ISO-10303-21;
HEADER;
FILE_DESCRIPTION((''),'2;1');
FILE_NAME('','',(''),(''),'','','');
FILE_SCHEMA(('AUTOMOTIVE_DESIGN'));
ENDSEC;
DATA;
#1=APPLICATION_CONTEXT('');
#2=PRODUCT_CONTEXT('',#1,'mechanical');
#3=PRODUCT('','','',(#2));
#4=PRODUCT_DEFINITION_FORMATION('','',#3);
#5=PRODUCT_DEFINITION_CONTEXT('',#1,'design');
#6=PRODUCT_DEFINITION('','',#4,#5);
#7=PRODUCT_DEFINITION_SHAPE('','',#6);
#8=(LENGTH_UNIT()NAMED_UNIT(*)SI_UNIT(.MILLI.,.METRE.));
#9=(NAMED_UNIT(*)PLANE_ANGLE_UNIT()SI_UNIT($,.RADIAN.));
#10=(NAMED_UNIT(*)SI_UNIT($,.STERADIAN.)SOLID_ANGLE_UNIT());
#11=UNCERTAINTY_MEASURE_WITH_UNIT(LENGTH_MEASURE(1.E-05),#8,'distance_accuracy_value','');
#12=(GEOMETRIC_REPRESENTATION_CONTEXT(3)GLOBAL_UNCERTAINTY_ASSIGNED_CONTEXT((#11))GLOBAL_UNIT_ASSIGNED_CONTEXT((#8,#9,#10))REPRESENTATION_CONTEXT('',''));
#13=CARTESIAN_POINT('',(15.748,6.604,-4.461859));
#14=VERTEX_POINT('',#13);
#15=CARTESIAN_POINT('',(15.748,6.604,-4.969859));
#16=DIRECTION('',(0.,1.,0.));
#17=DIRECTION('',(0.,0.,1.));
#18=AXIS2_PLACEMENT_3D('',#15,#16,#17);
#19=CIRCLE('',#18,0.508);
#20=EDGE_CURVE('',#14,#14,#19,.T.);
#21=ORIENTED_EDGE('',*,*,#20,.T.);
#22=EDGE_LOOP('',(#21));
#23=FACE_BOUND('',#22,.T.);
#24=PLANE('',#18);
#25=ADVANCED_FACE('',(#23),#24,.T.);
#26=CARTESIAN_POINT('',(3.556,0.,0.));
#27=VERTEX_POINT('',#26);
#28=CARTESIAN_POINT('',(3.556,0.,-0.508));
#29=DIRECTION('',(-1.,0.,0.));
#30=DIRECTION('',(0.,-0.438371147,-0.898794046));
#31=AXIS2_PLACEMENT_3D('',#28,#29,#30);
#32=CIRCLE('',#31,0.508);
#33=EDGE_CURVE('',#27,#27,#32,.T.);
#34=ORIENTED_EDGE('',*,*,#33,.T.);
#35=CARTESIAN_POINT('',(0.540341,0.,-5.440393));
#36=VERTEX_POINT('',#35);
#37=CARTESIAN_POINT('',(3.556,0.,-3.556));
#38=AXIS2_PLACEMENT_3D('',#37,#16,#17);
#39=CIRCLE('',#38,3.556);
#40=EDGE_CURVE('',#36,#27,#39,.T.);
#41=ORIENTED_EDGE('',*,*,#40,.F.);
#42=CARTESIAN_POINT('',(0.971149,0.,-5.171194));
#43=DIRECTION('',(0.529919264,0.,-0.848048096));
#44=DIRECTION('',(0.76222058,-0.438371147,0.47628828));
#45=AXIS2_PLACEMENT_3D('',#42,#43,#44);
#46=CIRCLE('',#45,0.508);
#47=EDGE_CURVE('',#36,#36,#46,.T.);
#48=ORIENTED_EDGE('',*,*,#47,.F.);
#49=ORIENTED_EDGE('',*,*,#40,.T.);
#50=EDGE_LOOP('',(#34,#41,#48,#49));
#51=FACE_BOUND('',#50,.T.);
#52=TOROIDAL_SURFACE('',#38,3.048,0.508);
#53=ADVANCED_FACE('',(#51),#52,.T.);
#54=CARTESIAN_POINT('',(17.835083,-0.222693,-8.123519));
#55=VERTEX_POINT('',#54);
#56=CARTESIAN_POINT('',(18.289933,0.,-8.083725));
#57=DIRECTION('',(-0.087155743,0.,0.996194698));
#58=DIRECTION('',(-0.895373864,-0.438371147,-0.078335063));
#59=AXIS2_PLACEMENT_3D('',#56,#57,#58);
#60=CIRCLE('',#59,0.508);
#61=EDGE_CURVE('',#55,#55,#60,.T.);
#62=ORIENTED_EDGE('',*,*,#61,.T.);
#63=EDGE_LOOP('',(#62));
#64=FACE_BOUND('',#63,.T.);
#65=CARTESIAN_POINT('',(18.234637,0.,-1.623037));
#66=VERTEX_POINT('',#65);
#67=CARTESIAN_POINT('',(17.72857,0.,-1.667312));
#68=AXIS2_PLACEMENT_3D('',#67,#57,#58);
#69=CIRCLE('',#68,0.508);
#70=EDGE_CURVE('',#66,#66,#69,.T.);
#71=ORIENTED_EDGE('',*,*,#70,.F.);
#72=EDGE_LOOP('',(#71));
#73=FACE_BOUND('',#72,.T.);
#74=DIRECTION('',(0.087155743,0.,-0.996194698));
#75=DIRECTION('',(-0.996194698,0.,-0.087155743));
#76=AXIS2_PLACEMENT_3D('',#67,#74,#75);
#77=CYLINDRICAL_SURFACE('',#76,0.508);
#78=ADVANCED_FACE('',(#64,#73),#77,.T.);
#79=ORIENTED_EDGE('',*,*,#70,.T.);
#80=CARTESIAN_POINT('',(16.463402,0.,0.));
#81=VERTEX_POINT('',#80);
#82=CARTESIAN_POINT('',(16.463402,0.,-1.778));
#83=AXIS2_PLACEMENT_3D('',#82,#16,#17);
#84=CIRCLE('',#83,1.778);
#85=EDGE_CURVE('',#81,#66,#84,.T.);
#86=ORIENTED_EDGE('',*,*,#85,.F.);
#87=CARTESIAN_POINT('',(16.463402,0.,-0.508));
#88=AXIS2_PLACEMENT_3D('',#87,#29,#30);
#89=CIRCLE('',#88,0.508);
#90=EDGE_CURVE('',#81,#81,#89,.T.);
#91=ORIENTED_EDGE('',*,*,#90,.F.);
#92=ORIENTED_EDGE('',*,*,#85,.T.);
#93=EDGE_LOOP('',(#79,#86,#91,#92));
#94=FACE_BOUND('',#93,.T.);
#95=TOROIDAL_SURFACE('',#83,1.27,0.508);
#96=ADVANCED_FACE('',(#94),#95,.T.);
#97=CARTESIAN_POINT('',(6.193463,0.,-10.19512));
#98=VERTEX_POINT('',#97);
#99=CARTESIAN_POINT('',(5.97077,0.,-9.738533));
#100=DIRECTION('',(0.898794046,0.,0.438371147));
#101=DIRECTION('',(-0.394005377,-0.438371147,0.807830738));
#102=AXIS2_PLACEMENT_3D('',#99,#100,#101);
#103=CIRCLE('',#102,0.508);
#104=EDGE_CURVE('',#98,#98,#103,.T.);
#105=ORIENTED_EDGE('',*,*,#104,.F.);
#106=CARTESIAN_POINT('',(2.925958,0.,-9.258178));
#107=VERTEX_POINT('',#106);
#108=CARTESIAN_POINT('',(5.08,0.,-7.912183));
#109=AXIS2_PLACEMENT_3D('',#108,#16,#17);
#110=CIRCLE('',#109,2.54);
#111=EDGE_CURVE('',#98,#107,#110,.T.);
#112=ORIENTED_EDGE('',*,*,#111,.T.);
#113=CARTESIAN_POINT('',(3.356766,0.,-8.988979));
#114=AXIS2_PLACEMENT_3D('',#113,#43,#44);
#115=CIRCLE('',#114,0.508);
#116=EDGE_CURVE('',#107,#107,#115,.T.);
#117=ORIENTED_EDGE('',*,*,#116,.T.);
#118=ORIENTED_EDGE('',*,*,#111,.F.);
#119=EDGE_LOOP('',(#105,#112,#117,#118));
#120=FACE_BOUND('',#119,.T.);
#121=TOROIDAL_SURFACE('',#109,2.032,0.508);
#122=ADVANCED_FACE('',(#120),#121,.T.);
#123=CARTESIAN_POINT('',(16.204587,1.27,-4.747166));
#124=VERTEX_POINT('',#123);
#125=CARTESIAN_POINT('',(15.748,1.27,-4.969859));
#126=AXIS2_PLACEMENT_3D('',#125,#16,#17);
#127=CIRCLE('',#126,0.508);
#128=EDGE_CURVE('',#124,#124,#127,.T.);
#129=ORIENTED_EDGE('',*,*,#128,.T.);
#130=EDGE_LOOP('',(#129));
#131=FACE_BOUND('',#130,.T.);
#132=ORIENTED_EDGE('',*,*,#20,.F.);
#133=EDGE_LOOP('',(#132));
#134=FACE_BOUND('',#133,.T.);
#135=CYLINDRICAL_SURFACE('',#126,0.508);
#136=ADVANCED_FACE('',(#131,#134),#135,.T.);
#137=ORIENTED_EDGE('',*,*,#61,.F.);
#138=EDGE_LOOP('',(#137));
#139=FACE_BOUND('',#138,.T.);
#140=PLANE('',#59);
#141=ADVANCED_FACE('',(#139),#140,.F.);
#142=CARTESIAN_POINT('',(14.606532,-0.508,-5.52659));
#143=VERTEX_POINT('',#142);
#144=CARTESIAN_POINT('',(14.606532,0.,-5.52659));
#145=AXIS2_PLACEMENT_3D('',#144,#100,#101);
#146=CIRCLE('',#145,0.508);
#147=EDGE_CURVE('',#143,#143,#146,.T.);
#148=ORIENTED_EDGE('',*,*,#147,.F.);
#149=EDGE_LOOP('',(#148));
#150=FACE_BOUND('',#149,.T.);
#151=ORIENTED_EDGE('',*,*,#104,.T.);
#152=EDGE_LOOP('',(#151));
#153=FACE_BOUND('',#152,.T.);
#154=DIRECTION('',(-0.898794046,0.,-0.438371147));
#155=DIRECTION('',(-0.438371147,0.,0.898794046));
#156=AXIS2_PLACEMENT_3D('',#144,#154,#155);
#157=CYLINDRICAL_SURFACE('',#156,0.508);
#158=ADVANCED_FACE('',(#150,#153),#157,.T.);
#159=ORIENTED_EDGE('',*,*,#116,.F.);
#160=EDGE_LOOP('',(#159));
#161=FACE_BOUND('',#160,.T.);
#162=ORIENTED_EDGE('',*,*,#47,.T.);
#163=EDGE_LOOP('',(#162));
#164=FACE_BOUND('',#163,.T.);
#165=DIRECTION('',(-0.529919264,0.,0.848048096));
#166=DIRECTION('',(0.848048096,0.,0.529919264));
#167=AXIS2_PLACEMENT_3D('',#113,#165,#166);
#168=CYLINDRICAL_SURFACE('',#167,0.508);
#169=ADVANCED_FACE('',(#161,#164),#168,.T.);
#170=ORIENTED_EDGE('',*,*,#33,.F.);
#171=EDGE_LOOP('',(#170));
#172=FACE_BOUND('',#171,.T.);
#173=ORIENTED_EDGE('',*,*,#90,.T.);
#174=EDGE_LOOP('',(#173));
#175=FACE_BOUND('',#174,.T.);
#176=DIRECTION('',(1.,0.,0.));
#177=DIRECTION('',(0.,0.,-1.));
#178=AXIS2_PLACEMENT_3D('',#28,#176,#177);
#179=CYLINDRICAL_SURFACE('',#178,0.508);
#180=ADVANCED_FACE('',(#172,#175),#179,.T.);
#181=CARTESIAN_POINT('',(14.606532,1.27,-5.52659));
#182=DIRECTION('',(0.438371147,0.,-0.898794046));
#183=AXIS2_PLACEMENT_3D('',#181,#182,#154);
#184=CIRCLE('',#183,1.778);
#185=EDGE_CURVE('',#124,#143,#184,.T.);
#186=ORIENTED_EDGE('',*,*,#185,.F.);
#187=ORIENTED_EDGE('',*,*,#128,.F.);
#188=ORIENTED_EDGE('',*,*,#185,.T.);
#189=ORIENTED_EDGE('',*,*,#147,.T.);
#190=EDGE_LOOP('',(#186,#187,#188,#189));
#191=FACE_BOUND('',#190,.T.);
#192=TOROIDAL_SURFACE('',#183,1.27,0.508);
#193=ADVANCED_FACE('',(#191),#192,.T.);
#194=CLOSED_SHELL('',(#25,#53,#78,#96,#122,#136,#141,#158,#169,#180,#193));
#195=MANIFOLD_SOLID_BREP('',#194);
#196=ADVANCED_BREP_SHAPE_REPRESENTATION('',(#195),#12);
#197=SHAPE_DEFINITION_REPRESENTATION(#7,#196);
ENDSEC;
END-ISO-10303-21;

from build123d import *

# Parameters (mm, degrees)
SKETCH4_R = 0.508


with BuildPart() as part:
    # Sweep1: sweep along a curve in space
    with BuildLine() as sweep1_path:
        Line((15.748, 6.604, -4.969858904), (15.748, 1.27, -4.969858904))
        ThreePointArc((15.748, 1.27, -4.969858904), (15.413671635, 0.371974388, -5.132921743), (14.606531561, 0, -5.52659026))
        Line((14.606531561, 0, -5.52659026), (5.97077017, 0, -9.738532518))
        ThreePointArc((5.97077017, 0, -9.738532518), (4.519904893, 0, -9.865466782), (3.356766269, 0, -8.988978961))
        Line((3.356766269, 0, -8.988978961), (0.971149403, 0, -5.171193917))
        ThreePointArc((0.971149403, 0, -5.171193917), (0.890159133, 0, -2.078300277), (3.556, 0, -0.508))
        Line((3.556, 0, -0.508), (16.463402457, 0, -0.508))
        ThreePointArc((16.463402457, 0, -0.508), (17.321402021, 0, -0.841657782), (17.728569724, 0, -1.667312207))
        Line((17.728569724, 0, -1.667312207), (18.289933093, 0, -8.083724883))
    # Sketch4 → Sweep1 (sweep)
    with BuildSketch(Plane(origin=(0, 6.604, 0), x_dir=(1, 0, 0), z_dir=(0, 1, 0))):
        with Locations((15.748, 4.969858904)):
            Circle(SKETCH4_R)
    sweep(path=sweep1_path.line)


solid = part.part
